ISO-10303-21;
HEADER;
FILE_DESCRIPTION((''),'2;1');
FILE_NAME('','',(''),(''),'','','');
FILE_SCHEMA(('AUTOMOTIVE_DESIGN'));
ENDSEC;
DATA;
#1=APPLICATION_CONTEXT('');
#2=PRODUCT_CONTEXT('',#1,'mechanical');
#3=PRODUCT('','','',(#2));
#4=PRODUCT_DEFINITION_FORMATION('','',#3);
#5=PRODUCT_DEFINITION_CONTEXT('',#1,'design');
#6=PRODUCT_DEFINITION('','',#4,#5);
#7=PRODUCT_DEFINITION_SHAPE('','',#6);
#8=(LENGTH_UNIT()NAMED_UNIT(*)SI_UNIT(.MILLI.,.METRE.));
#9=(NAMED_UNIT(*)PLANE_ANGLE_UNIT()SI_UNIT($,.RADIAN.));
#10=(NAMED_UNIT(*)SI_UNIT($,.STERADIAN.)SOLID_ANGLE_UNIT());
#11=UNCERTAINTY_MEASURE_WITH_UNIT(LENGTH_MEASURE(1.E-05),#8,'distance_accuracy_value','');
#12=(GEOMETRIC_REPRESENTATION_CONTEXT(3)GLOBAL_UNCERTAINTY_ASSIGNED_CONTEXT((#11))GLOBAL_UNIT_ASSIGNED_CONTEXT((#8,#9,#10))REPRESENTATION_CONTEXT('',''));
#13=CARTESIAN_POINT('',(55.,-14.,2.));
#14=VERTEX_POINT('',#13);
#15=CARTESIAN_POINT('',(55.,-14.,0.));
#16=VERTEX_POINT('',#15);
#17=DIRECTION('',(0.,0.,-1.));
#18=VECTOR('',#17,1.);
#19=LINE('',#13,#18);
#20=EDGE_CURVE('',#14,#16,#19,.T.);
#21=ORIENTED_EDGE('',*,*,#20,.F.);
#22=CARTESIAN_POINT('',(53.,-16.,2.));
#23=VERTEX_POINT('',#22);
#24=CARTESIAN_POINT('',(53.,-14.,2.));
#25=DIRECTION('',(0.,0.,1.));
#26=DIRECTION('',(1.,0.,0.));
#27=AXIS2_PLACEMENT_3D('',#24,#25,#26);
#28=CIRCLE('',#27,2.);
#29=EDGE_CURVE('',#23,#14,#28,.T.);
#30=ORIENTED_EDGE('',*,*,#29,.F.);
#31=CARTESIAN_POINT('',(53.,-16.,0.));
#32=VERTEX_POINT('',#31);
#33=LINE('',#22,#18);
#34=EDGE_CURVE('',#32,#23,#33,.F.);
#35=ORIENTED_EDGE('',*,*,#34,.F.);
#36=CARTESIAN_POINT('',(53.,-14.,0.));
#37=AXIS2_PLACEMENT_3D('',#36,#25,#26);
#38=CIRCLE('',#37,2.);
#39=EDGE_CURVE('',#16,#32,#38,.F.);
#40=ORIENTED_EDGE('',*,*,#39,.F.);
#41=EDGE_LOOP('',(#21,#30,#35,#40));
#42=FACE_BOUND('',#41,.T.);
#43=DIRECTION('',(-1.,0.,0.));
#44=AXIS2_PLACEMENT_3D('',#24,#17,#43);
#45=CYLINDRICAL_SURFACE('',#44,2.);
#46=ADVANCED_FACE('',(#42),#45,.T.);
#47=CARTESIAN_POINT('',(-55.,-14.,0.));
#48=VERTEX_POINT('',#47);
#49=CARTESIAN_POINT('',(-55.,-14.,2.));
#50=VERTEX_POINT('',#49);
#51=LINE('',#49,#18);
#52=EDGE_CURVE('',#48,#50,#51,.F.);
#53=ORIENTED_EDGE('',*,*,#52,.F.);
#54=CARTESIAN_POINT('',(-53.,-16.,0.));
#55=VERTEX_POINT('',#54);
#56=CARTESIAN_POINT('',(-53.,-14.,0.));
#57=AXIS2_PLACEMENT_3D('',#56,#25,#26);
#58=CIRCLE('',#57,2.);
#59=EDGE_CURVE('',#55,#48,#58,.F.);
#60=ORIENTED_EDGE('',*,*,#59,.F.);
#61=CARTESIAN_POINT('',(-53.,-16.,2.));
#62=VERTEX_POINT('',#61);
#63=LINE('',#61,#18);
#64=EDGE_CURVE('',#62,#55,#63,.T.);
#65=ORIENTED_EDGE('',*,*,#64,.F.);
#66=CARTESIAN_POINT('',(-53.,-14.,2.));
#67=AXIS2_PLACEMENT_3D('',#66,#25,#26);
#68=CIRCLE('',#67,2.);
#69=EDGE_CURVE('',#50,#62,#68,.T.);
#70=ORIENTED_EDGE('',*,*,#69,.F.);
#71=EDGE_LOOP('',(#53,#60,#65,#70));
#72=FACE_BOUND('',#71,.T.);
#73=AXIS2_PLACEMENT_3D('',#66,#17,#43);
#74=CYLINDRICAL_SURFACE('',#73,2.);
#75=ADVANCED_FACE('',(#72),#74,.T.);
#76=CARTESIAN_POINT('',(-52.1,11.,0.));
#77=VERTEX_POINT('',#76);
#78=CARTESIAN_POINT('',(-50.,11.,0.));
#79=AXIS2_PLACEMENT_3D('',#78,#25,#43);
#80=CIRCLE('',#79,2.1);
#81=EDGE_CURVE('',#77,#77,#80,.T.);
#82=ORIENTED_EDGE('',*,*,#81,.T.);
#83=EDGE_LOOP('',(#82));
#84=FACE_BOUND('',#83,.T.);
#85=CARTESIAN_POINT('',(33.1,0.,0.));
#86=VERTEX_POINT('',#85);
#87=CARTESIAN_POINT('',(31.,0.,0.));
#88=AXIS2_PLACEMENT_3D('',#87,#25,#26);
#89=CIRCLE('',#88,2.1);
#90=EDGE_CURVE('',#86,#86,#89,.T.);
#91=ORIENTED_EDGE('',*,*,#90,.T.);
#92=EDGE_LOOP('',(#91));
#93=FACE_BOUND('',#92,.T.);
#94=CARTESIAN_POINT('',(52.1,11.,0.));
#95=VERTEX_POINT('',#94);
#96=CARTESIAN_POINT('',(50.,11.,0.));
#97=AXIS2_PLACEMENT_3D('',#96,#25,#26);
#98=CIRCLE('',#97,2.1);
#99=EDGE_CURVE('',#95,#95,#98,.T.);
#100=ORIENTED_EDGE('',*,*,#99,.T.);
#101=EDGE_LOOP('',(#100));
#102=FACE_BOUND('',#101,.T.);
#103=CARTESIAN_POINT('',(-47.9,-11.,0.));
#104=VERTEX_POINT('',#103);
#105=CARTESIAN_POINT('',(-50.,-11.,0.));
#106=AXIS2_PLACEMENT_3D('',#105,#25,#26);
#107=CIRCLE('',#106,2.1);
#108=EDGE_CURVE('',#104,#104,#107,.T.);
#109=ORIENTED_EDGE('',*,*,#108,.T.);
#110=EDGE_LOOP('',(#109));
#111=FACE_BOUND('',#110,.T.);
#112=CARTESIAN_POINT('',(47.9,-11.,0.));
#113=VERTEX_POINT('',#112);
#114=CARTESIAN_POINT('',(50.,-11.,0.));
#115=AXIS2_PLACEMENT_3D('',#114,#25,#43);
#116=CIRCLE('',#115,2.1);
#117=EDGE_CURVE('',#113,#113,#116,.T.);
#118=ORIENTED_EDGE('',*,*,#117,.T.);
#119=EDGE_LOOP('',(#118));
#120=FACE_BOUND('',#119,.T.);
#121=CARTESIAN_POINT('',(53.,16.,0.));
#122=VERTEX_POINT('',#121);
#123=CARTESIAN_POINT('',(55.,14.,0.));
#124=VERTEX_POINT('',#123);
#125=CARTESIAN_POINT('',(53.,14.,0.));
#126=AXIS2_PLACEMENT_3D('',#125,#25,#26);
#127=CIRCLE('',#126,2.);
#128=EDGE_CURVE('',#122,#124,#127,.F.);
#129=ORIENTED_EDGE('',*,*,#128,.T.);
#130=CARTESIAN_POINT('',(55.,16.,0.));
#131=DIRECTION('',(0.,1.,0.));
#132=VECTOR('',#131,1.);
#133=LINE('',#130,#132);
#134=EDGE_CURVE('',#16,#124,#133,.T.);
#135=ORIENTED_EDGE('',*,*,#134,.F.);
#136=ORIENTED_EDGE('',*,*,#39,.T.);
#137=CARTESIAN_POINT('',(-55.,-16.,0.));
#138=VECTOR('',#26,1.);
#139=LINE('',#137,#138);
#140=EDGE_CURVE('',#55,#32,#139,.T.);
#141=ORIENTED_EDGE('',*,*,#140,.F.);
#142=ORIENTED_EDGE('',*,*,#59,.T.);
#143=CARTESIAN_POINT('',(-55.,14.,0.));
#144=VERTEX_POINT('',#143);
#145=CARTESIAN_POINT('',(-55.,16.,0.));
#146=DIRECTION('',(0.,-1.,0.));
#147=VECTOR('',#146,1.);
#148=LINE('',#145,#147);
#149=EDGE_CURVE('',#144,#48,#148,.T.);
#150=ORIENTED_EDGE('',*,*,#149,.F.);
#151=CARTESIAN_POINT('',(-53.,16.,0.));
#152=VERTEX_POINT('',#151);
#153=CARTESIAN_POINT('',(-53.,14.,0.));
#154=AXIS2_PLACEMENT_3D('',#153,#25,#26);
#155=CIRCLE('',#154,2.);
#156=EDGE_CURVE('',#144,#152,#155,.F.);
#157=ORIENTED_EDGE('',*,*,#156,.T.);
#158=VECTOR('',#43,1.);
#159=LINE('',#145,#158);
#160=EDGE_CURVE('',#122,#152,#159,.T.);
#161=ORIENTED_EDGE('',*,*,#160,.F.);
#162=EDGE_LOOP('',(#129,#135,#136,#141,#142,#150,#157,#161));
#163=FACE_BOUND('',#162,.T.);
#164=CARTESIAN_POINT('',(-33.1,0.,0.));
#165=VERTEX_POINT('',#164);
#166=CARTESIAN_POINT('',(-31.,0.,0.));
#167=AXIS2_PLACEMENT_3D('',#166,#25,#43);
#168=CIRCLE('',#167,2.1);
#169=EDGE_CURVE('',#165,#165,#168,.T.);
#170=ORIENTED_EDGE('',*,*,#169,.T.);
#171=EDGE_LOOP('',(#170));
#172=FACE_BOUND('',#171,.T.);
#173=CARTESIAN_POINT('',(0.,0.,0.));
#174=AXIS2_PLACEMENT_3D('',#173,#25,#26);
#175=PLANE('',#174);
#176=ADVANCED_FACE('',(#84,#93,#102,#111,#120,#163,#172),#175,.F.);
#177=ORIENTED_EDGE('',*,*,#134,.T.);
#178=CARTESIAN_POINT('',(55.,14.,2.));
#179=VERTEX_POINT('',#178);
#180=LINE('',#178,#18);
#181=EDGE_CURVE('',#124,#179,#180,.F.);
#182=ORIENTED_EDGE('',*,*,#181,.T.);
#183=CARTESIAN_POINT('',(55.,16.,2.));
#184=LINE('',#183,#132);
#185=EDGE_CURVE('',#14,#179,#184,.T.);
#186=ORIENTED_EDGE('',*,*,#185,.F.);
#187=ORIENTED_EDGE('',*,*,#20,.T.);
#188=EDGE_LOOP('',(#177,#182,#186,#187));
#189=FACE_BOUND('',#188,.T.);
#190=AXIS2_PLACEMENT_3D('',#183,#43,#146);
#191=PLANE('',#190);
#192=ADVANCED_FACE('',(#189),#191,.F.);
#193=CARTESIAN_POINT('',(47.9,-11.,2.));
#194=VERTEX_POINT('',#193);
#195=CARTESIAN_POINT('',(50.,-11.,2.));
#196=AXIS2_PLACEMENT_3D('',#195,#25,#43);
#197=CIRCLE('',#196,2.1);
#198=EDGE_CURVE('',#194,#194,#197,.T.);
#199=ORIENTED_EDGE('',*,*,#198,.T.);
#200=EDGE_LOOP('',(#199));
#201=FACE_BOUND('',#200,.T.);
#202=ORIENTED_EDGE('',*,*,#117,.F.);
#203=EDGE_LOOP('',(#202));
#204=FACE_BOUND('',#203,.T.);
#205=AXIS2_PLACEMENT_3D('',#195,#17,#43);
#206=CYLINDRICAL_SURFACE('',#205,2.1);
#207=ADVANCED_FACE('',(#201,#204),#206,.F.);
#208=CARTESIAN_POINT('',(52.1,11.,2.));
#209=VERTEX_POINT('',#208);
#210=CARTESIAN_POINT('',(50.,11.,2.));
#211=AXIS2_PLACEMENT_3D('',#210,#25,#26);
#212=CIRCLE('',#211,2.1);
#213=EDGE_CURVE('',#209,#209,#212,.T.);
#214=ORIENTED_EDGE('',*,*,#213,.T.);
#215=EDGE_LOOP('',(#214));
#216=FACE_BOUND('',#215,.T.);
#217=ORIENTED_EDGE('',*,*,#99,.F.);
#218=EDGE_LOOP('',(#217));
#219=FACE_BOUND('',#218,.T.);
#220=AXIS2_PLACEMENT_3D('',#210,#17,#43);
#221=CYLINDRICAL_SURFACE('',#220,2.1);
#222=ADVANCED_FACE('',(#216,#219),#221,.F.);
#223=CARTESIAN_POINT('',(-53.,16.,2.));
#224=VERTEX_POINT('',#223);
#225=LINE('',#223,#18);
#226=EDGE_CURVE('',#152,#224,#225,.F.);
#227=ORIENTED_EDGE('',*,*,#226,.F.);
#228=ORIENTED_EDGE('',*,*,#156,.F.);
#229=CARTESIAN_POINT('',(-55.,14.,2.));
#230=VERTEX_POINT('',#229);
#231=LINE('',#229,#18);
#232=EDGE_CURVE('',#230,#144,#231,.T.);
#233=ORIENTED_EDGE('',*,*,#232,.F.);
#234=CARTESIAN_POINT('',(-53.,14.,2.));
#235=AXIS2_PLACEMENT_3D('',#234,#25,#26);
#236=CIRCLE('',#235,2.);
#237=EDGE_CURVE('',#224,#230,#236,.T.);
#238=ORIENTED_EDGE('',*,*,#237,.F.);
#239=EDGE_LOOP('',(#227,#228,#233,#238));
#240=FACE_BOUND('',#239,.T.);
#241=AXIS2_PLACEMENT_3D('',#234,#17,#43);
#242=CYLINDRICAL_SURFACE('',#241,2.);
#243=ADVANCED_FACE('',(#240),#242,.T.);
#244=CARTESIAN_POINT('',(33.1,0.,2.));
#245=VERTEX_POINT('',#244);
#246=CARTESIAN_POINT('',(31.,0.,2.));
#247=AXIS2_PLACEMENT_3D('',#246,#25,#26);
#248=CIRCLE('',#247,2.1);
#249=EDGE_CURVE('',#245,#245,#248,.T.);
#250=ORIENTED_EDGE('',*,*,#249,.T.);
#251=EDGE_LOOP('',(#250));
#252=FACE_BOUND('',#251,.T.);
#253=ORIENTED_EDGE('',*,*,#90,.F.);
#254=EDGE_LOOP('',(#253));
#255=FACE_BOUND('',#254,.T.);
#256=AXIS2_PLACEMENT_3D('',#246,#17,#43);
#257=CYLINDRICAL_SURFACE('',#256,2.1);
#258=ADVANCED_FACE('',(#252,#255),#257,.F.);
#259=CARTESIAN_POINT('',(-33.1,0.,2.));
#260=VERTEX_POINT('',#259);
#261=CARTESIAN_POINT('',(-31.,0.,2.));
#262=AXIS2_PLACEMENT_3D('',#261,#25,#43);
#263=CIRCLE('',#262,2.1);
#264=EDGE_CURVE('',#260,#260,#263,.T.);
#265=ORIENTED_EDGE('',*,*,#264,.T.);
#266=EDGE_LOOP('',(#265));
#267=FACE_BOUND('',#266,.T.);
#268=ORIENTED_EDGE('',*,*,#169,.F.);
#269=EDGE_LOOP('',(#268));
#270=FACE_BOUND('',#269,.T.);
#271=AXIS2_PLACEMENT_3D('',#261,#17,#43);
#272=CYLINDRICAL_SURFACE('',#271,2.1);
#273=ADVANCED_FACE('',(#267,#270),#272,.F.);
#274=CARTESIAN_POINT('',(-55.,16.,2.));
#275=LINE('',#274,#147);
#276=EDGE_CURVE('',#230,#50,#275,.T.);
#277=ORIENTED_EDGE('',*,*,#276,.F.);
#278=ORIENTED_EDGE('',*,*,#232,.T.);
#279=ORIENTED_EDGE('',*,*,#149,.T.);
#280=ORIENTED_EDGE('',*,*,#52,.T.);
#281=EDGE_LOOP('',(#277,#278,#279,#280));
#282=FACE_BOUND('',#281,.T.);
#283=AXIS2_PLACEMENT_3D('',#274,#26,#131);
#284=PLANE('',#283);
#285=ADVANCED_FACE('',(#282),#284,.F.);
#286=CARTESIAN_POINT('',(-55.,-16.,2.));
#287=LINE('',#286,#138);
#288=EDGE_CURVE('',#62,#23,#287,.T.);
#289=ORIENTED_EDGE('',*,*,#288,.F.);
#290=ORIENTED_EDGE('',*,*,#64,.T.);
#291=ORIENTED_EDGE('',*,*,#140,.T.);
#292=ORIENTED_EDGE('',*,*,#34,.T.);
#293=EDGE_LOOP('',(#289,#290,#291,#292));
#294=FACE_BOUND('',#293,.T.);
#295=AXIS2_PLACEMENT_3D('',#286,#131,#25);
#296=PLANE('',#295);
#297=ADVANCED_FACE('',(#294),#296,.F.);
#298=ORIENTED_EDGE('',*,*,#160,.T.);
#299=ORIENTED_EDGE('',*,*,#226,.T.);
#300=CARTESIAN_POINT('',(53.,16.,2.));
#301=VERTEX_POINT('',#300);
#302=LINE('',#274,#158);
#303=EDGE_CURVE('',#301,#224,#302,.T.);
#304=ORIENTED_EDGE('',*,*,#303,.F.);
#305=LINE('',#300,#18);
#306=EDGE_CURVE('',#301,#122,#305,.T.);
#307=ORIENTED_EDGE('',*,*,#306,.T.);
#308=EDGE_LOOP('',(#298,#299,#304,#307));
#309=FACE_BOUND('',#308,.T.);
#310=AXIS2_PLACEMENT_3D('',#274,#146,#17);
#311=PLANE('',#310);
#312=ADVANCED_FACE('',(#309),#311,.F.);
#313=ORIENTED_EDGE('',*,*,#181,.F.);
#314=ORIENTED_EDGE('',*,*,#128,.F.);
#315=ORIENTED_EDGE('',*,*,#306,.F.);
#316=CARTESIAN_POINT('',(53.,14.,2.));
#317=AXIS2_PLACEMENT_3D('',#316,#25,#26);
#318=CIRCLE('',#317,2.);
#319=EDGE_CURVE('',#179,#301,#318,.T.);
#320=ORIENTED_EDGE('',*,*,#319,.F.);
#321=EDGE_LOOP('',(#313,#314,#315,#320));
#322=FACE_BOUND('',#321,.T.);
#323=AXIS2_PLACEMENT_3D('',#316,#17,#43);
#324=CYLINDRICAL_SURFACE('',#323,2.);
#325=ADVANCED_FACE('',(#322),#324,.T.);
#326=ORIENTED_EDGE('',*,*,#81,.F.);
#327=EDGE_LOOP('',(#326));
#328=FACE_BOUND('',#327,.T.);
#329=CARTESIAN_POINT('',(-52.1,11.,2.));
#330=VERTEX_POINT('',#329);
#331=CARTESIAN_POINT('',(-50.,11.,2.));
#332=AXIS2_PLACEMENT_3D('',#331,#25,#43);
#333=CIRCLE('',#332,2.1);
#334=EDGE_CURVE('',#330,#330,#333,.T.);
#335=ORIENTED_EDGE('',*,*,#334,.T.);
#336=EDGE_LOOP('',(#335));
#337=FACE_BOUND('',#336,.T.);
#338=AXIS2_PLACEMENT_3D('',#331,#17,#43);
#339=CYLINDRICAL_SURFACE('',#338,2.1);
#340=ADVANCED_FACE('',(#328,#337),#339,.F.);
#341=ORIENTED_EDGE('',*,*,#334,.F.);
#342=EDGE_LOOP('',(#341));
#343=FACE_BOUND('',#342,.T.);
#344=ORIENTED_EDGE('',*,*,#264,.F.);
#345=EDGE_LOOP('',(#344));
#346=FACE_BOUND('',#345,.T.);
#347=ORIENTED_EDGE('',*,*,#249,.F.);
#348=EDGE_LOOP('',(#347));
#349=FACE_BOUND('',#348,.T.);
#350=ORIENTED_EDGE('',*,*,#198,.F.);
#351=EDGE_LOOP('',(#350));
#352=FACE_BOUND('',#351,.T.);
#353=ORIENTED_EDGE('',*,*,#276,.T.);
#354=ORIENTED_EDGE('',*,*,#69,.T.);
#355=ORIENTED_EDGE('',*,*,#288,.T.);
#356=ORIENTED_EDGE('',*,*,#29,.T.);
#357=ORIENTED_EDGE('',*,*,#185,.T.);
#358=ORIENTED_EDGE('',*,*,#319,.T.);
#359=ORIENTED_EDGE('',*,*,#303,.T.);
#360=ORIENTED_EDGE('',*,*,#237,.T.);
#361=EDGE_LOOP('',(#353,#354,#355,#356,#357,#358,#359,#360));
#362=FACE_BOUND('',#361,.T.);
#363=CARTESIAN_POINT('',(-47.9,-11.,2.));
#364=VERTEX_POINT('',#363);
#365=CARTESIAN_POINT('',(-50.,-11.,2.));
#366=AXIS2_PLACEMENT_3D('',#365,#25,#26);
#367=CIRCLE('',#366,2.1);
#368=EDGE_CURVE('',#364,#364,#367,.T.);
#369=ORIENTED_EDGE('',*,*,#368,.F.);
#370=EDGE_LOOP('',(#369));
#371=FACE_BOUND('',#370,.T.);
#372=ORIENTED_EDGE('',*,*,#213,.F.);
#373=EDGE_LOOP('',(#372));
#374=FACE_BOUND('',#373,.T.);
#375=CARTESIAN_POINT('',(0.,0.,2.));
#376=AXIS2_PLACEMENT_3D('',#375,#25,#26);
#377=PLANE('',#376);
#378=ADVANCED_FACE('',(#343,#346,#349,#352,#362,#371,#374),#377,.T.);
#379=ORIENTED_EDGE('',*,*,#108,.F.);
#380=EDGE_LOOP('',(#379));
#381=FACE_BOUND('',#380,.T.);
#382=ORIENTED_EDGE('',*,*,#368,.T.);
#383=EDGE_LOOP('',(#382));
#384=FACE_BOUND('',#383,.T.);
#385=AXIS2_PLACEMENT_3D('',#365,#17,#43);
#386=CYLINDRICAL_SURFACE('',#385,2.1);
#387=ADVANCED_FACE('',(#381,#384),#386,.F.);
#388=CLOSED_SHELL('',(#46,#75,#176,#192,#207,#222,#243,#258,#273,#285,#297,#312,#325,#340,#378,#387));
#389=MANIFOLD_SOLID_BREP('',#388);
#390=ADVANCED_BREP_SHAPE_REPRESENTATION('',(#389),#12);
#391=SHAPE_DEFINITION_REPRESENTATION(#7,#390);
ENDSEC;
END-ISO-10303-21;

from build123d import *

# Parameters (mm, degrees)
SKETCH_1_W      = 110
SKETCH_1_H      = 32
SKETCH_1_R      = 2.1
EXTRUDE_1_DEPTH = 2
FILLET_1_R      = 2


with BuildPart() as part:
    # ｽｹｯﾁ1 → ﾎﾞｽ - 押し出し1 (new body)
    with BuildSketch(Plane.XY):
        Rectangle(SKETCH_1_W, SKETCH_1_H)
        with Locations((31, 0)):
            Circle(SKETCH_1_R, mode=Mode.SUBTRACT)
        with Locations(Location((-31, 0, 0), (0, 0, 180))):
            Circle(SKETCH_1_R, mode=Mode.SUBTRACT)
        with Locations((50, 11)):
            Circle(SKETCH_1_R, mode=Mode.SUBTRACT)
        with Locations(Location((-50, 11, 0), (0, 0, 180))):
            Circle(SKETCH_1_R, mode=Mode.SUBTRACT)
        with Locations((-50, -11)):
            Circle(SKETCH_1_R, mode=Mode.SUBTRACT)
        with Locations(Location((50, -11, 0), (0, 0, 180))):
            Circle(SKETCH_1_R, mode=Mode.SUBTRACT)
    extrude(amount=EXTRUDE_1_DEPTH)

    # ﾌｨﾚｯﾄ1
    fillet_1_edges = [part.edges().sort_by_distance(p)[0] for p in [
        (55, -16, 1),
        (-55, -16, 1),
        (-55, 16, 1),
        (55, 16, 1),
    ]]
    fillet(fillet_1_edges, radius=FILLET_1_R)


solid = part.part
